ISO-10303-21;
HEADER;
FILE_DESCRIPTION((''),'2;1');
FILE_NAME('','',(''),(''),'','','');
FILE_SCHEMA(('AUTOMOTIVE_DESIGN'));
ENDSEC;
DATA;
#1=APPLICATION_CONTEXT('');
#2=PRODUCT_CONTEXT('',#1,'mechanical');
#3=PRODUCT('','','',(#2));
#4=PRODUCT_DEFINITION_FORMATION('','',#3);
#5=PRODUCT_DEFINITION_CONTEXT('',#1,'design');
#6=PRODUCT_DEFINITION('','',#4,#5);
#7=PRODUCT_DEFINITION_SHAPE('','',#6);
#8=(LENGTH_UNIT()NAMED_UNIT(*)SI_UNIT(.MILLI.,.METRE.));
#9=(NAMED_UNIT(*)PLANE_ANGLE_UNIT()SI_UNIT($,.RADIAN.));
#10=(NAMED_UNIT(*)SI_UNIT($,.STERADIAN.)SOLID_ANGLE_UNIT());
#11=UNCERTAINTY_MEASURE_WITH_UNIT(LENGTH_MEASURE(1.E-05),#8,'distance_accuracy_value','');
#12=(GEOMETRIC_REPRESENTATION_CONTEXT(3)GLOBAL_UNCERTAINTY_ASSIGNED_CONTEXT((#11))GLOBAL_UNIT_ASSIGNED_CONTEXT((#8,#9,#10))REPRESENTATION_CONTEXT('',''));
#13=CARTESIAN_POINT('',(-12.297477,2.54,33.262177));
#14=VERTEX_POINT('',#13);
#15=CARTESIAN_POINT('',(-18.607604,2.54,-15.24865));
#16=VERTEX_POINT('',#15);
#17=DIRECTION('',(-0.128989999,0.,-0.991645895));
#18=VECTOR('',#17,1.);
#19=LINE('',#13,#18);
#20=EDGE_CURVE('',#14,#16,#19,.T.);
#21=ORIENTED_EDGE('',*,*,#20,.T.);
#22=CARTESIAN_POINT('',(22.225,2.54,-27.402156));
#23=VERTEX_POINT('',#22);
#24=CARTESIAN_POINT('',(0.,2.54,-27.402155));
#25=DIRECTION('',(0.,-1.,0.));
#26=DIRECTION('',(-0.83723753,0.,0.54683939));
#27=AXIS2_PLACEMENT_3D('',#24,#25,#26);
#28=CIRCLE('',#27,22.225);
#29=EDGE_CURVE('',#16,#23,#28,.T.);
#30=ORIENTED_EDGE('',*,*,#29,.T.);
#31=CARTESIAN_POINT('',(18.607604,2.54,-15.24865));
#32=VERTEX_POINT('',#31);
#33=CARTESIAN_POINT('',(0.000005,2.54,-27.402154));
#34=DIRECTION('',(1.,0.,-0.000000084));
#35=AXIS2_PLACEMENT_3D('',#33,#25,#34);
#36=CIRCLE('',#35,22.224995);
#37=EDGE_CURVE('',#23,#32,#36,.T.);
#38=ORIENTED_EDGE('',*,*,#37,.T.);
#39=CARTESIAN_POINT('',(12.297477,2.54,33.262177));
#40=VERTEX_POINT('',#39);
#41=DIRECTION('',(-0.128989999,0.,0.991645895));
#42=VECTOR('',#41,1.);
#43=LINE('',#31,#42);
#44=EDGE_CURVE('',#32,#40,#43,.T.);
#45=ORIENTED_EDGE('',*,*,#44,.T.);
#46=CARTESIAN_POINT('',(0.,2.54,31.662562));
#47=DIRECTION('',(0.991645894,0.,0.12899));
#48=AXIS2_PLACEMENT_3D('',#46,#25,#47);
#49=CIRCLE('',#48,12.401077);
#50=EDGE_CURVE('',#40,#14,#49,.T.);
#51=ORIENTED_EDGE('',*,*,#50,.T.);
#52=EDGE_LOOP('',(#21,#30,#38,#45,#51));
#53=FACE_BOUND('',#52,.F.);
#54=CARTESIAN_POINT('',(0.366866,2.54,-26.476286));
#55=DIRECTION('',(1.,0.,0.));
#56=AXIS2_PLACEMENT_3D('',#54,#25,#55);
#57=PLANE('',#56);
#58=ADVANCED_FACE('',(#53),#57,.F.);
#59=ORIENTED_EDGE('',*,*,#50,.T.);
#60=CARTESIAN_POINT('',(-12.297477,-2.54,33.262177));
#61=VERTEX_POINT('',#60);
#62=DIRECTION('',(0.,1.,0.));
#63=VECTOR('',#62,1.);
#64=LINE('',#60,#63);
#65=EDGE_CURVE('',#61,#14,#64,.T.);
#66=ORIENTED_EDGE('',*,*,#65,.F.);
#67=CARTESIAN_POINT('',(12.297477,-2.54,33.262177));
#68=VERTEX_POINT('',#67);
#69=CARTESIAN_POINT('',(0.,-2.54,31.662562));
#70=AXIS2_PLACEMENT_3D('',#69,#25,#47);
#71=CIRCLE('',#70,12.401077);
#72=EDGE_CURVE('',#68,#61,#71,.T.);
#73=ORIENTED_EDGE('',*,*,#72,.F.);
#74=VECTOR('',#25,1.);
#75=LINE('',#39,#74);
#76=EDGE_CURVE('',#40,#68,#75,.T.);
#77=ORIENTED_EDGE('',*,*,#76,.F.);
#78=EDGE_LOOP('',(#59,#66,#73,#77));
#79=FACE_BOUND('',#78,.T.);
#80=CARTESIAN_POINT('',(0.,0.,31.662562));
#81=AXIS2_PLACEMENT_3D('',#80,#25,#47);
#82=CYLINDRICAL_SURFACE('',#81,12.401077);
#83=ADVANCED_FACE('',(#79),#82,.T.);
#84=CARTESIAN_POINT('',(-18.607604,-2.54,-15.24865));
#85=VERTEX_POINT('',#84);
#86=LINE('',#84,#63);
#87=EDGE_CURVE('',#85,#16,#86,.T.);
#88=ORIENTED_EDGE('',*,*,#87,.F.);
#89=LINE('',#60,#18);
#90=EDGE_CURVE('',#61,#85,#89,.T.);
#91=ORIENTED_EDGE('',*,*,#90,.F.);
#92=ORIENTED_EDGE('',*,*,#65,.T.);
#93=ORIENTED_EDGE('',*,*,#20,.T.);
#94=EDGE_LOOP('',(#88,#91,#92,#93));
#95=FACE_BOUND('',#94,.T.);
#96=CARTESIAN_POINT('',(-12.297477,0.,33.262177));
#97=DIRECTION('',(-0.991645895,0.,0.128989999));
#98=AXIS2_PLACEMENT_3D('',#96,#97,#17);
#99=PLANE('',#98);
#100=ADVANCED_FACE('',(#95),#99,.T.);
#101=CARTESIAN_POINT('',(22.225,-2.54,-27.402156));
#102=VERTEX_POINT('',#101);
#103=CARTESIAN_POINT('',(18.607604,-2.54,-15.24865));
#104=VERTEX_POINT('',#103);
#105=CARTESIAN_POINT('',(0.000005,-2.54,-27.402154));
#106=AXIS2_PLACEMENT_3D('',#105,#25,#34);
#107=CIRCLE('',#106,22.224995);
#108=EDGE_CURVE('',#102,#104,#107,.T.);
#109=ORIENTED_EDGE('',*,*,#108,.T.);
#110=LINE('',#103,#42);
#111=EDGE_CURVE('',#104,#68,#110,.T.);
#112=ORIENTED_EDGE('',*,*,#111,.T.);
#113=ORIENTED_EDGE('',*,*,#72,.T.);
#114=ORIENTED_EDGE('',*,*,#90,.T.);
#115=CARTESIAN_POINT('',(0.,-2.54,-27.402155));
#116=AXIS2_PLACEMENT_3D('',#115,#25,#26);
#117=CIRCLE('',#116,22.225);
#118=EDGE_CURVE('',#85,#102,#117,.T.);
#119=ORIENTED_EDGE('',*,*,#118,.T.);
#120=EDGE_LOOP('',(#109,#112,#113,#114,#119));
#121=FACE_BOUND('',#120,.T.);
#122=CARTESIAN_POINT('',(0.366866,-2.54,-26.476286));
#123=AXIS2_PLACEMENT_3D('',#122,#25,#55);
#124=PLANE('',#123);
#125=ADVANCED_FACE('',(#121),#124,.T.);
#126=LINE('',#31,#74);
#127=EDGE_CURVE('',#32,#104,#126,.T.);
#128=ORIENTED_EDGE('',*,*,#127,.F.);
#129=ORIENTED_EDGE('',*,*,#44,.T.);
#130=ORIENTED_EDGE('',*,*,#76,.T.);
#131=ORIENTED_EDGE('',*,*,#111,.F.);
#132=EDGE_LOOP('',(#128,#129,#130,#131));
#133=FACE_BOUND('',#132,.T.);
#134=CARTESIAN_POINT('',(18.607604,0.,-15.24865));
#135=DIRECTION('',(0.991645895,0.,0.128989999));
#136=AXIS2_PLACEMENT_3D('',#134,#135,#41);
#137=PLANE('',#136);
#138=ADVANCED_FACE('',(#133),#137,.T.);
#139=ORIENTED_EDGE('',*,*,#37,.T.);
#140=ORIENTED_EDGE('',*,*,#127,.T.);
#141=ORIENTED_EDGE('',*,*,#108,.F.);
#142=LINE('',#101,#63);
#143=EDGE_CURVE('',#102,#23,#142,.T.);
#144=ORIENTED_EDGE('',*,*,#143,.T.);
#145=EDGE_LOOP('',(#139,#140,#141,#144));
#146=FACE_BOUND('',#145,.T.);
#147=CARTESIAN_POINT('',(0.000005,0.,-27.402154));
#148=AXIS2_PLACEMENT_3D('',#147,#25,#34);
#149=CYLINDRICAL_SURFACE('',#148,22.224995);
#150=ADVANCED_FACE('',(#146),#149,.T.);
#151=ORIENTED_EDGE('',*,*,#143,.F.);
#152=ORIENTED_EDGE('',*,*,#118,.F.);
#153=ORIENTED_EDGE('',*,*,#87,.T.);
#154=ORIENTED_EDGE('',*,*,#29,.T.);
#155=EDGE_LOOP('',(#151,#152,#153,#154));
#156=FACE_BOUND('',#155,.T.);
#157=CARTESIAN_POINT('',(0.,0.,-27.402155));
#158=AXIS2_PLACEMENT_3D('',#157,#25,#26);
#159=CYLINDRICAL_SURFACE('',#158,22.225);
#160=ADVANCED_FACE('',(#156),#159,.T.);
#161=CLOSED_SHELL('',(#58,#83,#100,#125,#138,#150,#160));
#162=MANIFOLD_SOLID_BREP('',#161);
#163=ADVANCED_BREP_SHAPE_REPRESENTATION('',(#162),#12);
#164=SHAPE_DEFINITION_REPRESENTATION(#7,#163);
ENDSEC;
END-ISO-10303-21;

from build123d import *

# Parameters (mm, degrees)
F1_DEPTH = 2.54


with BuildPart() as f1:
    # F0 (on Front) → F1 (new body, symmetric)
    with BuildSketch(Plane.XZ):
        with BuildLine():
            ThreePointArc((22.225, -27.402156), (21.301463, -21.061942), (18.607604, -15.24865))
            ThreePointArc((18.607604, -15.24865), (0, -5.177156), (-18.607604, -15.24865))
            ThreePointArc((-18.607604, -15.24865), (-6.340214, -48.703618), (22.225, -27.402156))
        make_face()
        with BuildLine():
            ThreePointArc((-12.297477, 33.262177), (-0.801483, 19.287411), (12.401077, 31.662562))
            ThreePointArc((12.401077, 31.662562), (12.37515, 32.464045), (12.297477, 33.262177))
            ThreePointArc((12.297477, 33.262177), (0, 44.063639), (-12.297477, 33.262177))
        make_face()
        with BuildLine():
            ThreePointArc((12.297477, 33.262177), (12.37515, 32.464045), (12.401077, 31.662562))
            ThreePointArc((12.401077, 31.662562), (-0.801483, 19.287411), (-12.297477, 33.262177))
            Line((-12.297477, 33.262177), (-18.607604, -15.24865))
            ThreePointArc((-18.607604, -15.24865), (0, -5.177156), (18.607604, -15.24865))
            Line((18.607604, -15.24865), (12.297477, 33.262177))
        make_face()
    extrude(amount=F1_DEPTH, both=True)


solid = f1.part
